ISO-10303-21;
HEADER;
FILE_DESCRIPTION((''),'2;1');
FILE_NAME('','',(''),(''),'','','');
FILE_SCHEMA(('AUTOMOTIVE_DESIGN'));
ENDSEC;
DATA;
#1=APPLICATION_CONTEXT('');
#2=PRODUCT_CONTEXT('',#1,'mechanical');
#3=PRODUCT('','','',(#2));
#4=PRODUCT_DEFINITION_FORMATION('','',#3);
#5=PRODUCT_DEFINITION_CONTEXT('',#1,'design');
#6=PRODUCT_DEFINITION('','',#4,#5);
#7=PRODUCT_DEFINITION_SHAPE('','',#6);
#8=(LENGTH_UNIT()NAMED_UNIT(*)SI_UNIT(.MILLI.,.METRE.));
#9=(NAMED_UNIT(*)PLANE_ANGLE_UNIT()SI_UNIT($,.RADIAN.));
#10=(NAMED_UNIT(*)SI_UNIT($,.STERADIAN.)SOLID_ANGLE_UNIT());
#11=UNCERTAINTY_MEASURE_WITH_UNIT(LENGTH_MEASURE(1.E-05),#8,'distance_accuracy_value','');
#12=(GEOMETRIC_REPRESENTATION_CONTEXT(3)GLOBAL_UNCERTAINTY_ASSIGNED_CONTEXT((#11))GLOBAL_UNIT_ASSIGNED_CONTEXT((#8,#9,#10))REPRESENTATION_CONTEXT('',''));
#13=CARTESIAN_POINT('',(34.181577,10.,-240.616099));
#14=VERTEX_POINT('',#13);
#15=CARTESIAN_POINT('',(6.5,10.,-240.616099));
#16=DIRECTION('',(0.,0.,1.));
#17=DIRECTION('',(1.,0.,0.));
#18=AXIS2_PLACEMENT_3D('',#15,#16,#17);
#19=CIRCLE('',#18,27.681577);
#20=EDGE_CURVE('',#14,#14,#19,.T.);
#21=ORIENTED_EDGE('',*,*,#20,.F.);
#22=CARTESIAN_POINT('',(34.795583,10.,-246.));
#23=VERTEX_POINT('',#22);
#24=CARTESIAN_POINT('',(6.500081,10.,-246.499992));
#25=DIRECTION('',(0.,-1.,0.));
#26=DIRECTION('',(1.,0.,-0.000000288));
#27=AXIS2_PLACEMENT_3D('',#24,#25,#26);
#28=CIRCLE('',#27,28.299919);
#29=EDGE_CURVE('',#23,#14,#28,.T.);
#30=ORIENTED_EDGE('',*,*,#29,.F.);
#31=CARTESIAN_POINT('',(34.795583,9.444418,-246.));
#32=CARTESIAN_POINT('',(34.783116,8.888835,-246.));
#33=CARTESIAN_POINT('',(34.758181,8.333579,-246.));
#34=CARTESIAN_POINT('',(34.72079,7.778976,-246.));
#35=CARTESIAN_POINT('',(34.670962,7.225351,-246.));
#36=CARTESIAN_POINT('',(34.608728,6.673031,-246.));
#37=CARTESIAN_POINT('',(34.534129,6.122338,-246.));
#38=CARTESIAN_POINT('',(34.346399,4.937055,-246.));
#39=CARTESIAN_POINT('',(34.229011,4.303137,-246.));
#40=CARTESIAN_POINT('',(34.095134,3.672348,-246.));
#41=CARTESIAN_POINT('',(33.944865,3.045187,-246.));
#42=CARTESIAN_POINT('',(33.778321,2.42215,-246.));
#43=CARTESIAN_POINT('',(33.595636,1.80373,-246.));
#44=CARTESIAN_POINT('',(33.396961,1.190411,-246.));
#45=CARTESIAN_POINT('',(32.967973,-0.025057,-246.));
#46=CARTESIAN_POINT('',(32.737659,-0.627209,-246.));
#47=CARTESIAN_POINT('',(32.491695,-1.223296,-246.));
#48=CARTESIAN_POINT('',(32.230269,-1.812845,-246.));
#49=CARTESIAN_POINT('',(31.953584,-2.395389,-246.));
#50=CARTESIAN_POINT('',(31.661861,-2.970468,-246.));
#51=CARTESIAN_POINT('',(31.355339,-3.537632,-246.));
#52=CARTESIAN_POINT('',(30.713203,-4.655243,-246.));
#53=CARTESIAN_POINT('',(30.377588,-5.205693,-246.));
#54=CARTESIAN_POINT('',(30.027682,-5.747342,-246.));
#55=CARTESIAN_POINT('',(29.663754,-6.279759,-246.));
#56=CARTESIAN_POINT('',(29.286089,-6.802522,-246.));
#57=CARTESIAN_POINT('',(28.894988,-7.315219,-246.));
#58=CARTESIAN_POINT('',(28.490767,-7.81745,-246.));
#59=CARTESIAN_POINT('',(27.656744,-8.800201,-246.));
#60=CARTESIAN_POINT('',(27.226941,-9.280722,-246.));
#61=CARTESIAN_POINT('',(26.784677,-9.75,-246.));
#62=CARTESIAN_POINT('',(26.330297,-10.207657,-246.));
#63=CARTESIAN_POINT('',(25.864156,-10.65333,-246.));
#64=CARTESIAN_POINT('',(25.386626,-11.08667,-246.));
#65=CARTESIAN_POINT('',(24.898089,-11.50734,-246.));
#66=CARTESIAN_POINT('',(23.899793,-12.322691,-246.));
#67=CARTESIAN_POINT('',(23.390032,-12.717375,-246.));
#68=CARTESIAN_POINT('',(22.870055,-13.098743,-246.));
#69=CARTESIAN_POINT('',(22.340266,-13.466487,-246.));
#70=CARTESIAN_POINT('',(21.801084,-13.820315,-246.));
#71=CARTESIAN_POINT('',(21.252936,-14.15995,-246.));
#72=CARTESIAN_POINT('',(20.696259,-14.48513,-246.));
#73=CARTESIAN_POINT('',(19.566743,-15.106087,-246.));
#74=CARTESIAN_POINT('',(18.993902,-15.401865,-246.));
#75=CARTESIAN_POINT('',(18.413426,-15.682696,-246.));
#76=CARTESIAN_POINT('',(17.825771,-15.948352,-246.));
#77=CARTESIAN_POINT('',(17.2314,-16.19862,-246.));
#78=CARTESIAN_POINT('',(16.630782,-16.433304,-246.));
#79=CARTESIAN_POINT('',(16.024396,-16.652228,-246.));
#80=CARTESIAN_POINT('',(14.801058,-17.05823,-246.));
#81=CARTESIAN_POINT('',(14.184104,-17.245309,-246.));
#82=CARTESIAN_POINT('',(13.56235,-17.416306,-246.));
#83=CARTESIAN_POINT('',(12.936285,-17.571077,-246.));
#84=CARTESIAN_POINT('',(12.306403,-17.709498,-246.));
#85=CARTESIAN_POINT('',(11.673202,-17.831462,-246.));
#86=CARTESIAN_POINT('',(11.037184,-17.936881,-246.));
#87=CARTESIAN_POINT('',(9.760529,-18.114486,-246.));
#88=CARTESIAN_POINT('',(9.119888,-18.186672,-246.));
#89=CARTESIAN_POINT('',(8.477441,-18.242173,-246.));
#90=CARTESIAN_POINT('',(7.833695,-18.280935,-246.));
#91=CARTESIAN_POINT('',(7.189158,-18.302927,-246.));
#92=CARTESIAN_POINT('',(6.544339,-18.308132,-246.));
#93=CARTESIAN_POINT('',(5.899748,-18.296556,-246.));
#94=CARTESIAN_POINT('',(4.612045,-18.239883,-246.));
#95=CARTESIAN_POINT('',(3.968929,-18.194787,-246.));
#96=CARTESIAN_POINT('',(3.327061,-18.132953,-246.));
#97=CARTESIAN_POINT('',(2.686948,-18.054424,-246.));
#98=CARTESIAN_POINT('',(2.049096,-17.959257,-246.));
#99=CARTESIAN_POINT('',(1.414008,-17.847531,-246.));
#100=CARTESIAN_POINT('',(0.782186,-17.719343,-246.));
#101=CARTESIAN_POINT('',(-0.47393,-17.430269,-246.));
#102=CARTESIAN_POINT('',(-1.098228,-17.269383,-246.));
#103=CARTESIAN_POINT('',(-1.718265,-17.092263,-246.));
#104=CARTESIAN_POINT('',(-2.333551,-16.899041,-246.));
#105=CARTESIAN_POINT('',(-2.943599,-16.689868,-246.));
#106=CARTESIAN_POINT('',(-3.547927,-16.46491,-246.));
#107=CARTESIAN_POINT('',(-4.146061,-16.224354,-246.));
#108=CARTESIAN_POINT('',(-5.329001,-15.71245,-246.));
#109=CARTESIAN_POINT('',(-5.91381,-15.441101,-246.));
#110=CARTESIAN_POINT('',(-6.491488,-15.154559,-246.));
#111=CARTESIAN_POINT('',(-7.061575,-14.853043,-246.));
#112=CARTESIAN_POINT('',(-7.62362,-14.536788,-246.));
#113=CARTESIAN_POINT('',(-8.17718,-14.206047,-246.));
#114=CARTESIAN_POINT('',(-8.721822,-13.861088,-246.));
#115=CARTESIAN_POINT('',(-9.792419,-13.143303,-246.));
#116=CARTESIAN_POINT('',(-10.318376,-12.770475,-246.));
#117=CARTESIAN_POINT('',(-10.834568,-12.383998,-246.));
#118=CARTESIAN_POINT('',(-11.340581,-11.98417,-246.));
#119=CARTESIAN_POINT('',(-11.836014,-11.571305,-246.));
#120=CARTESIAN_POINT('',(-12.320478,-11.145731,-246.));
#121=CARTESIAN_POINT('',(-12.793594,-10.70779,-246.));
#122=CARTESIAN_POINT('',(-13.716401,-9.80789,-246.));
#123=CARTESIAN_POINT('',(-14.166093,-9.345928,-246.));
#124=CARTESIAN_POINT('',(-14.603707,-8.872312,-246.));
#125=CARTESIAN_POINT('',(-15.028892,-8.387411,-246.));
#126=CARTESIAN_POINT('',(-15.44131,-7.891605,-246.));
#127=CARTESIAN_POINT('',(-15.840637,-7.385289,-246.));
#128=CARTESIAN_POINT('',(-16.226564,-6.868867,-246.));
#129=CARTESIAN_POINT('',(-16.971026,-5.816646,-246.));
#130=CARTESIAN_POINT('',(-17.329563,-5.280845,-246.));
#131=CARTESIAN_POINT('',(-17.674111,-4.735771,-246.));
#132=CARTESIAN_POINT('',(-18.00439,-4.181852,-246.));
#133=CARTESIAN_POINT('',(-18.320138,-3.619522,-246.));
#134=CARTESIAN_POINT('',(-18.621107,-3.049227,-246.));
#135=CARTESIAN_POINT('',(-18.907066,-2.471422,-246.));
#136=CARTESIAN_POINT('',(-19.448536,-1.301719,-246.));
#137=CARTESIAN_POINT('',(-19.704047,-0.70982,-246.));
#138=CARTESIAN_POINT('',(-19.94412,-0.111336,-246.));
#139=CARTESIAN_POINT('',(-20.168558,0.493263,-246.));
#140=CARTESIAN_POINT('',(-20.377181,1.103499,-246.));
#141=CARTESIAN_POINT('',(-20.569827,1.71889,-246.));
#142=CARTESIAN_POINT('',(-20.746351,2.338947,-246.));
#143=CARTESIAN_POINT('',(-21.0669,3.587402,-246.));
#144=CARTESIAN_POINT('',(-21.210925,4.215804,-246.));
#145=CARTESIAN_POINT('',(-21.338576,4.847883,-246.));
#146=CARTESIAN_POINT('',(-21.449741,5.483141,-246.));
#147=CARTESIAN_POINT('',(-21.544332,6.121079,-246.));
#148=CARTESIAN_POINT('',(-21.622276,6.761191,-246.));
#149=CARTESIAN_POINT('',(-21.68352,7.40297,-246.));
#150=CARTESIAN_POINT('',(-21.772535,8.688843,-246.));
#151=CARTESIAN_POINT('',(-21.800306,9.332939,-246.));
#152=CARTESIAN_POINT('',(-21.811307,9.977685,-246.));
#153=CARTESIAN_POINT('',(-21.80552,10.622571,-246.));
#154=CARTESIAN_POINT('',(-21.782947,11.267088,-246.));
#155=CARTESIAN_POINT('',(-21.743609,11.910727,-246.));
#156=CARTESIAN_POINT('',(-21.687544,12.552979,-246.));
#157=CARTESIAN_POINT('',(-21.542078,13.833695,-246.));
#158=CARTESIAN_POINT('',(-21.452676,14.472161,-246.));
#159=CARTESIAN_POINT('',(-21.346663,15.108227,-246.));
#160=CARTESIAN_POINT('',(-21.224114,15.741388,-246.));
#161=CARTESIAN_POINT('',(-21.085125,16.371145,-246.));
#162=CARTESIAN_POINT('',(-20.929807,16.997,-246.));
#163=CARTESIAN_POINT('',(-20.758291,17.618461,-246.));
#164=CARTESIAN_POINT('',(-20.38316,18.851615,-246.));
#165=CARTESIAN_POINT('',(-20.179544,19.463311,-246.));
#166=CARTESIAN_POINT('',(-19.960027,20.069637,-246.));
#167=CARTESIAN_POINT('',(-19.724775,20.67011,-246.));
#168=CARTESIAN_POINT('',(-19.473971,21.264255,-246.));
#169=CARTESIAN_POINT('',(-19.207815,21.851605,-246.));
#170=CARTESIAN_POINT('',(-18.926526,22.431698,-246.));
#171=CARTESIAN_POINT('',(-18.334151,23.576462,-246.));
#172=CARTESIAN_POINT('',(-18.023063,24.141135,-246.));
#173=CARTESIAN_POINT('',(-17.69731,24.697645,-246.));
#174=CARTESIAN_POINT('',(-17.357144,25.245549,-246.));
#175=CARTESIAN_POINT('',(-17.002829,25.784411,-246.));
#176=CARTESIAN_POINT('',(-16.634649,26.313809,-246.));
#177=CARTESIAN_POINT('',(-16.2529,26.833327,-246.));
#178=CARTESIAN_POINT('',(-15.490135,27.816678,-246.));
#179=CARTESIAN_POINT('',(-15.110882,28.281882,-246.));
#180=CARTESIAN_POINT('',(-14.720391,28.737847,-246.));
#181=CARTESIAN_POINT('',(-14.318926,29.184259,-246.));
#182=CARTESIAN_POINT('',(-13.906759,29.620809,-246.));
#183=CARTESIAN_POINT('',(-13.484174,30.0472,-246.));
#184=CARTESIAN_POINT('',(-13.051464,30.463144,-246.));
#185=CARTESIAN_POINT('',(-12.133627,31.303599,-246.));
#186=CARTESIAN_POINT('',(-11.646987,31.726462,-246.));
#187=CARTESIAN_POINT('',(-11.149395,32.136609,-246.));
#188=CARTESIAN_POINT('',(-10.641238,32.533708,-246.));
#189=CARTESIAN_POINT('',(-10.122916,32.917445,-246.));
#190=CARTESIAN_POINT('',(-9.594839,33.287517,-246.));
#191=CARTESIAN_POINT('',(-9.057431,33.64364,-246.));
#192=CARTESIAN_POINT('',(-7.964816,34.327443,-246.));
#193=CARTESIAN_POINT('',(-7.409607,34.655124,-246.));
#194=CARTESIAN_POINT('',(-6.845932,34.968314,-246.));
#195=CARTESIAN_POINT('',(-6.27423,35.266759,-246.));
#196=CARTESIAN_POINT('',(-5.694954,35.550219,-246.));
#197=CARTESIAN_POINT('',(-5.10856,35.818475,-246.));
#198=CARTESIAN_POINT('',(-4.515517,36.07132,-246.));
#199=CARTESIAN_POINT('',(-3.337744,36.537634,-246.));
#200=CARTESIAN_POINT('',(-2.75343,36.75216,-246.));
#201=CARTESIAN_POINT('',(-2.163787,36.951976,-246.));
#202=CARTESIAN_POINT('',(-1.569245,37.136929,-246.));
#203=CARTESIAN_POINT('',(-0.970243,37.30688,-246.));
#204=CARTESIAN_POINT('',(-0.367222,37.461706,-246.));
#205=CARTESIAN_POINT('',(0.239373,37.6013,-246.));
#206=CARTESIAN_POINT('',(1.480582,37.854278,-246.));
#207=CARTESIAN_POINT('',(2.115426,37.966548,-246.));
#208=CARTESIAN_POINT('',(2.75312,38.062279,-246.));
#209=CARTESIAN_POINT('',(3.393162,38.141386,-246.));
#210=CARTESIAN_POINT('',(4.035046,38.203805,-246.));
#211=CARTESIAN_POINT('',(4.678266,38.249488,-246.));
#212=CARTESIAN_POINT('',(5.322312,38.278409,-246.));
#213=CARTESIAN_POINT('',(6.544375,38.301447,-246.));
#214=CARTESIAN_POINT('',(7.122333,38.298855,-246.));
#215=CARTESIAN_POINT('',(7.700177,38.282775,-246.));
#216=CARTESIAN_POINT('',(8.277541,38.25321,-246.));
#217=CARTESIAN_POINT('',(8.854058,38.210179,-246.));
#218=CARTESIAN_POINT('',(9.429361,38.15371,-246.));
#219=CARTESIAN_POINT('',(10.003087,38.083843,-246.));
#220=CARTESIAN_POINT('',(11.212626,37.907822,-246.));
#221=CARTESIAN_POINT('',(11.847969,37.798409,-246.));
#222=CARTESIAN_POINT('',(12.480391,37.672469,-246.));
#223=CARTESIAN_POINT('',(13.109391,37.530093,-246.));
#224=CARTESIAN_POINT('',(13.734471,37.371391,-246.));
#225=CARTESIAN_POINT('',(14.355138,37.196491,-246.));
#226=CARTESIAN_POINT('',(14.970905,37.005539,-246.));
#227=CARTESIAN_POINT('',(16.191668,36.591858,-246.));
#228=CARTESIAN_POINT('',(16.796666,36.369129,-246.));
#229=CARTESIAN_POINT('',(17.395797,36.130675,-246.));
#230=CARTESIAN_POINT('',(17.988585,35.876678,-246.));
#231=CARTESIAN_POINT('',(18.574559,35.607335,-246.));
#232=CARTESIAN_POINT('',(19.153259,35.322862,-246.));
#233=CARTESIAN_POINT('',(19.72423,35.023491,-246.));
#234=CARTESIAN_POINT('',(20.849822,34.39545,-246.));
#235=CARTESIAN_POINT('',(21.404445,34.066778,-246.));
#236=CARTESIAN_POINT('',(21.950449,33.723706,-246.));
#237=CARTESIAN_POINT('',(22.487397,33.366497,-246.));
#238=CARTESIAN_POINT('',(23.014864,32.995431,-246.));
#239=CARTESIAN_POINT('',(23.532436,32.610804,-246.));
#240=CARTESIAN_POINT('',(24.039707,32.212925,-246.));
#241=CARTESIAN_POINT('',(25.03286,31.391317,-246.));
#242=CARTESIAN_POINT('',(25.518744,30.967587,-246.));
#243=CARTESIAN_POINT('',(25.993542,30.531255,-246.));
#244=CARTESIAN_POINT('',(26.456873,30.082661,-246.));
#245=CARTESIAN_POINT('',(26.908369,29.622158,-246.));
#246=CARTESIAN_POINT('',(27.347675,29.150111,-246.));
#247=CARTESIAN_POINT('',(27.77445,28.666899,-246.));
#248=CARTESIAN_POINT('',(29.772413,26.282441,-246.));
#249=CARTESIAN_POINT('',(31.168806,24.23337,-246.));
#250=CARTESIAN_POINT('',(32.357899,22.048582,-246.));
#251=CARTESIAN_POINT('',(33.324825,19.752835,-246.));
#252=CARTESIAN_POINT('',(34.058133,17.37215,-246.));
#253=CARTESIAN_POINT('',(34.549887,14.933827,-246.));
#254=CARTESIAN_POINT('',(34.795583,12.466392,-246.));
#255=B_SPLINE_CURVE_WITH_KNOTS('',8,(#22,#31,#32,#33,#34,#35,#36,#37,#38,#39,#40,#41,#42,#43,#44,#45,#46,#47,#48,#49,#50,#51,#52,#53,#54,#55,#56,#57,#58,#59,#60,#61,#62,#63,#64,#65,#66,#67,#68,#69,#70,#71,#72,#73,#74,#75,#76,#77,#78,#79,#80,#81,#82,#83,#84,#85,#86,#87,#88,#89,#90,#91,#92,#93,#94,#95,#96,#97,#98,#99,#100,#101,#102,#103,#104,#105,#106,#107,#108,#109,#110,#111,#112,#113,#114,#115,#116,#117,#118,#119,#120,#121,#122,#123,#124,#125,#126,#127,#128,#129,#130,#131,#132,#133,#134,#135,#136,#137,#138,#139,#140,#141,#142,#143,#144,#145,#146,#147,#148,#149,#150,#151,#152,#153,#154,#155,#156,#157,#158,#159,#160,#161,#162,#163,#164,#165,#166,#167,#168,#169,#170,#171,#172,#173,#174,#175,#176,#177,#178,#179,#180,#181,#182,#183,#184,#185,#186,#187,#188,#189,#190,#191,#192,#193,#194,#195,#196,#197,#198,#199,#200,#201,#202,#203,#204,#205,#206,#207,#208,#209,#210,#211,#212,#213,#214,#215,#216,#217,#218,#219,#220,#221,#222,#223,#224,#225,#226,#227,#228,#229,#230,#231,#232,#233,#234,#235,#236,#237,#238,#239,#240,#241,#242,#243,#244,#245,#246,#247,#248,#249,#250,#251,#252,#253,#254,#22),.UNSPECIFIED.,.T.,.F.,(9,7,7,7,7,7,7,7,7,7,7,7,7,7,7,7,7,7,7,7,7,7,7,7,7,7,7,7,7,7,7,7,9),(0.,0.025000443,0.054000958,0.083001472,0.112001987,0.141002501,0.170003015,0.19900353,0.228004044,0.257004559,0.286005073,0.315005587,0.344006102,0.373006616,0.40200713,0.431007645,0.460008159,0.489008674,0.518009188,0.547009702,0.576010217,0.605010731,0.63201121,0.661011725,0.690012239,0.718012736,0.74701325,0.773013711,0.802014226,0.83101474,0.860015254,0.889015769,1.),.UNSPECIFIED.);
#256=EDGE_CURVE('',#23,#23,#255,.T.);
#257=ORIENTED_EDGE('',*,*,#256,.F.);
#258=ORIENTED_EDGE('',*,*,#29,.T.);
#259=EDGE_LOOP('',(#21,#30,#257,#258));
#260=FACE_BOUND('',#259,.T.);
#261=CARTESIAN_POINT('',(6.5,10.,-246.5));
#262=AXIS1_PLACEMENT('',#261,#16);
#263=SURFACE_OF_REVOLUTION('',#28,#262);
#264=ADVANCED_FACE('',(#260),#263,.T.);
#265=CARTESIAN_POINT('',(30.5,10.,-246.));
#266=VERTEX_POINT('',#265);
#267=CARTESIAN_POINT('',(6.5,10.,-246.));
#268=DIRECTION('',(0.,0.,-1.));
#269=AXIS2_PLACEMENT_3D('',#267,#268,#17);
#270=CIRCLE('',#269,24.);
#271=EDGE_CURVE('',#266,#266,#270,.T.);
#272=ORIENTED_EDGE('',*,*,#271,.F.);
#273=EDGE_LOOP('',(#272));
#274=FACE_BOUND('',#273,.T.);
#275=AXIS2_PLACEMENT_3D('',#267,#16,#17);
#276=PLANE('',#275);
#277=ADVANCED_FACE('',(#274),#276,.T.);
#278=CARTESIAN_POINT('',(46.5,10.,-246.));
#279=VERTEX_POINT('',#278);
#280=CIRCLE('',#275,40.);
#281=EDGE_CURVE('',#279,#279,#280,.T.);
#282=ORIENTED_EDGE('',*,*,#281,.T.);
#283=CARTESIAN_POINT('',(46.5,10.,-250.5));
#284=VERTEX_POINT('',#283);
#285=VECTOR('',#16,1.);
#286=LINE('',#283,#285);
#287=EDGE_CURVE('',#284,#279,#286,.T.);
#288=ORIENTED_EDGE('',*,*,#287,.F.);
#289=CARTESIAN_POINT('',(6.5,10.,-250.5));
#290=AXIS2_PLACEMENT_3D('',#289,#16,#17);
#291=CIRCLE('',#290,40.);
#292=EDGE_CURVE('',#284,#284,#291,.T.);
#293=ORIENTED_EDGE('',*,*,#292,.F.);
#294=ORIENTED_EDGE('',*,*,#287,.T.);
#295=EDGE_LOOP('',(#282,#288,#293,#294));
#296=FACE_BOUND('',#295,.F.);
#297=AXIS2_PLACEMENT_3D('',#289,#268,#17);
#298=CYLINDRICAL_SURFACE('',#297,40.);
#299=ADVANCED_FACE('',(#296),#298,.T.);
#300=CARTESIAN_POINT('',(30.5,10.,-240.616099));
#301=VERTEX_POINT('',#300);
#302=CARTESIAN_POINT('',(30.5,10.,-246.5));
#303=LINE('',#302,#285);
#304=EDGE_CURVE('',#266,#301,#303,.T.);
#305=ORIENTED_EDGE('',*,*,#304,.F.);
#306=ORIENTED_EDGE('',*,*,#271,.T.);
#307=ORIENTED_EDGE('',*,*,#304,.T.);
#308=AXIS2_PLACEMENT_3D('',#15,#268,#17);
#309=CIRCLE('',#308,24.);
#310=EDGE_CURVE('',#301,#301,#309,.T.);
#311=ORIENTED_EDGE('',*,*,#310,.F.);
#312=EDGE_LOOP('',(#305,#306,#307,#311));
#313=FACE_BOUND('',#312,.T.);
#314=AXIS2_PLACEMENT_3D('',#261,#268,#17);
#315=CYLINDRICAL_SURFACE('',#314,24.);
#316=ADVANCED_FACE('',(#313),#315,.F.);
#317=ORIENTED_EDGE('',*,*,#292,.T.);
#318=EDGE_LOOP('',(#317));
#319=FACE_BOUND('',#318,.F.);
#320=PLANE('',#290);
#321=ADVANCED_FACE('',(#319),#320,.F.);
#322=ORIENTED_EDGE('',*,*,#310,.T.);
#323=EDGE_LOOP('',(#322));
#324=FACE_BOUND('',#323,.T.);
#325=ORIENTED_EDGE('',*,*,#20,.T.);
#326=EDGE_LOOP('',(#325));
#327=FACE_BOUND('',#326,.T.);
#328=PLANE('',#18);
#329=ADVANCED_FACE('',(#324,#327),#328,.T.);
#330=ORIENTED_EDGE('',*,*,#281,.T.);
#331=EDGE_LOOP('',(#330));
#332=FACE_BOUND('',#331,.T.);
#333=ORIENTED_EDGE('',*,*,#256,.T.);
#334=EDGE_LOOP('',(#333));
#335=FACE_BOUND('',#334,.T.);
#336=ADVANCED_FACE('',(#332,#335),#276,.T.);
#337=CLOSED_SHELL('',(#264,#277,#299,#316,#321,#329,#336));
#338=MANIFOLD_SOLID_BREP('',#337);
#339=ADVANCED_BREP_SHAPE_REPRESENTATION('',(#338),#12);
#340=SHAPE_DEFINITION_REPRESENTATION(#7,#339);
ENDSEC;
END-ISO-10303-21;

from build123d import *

# Parameters (mm, degrees)
CYLINDER144_R     = 40
CYLINDER144_DEPTH = 4.5
CYLINDER145_R     = 24
CYLINDER145_DEPTH = 7


with BuildPart() as base014:
    # Cylinder144 → Cylinder144 (new body)
    with BuildSketch(Plane(origin=(136, 0, 65), x_dir=(1, 0, 0), z_dir=(0, 0, 1))):
        Circle(CYLINDER144_R)
    extrude(amount=CYLINDER144_DEPTH)


with BuildPart() as basecut003:
    # Cylinder145 → Cylinder145 (new body)
    with BuildSketch(Plane(origin=(5, 0, 74), x_dir=(1, 0, 0), z_dir=(0, 0, 1))):
        Circle(CYLINDER145_R)
    extrude(amount=CYLINDER145_DEPTH)


with BuildPart() as base003:
    # Sphere006 → Sphere006 (revolve)
    with BuildSketch(Plane(origin=(5, 0, 74), x_dir=(1, 0, 0), z_dir=(0, -1, 0))):
        with BuildLine():
            ThreePointArc((28.3, 0), (28.14497, 2.958156), (27.681577, 5.883901))
            Line((27.681577, 5.883901), (0, 5.883901))
            Line((0, 5.883901), (0, 0))
            Line((0, 0), (28.3, 0))
        make_face()
    revolve(axis=Axis((5, 0, 74), (0, 0, 1)))

    # Cut038: cut baseCut003
    add(basecut003.part, mode=Mode.SUBTRACT)


with BuildPart() as base003_1:
    # Cut038 placement: moved
    add(base003.part.moved(Location((131, 0, -5))))

    # Fusion089: union base014
    add(base014.part)


with BuildPart() as base003_2:
    # Fusion089 placement: moved
    add(base003_1.part.moved(Location((-129.5, 10, -315.5))))


solid = base003_2.part
